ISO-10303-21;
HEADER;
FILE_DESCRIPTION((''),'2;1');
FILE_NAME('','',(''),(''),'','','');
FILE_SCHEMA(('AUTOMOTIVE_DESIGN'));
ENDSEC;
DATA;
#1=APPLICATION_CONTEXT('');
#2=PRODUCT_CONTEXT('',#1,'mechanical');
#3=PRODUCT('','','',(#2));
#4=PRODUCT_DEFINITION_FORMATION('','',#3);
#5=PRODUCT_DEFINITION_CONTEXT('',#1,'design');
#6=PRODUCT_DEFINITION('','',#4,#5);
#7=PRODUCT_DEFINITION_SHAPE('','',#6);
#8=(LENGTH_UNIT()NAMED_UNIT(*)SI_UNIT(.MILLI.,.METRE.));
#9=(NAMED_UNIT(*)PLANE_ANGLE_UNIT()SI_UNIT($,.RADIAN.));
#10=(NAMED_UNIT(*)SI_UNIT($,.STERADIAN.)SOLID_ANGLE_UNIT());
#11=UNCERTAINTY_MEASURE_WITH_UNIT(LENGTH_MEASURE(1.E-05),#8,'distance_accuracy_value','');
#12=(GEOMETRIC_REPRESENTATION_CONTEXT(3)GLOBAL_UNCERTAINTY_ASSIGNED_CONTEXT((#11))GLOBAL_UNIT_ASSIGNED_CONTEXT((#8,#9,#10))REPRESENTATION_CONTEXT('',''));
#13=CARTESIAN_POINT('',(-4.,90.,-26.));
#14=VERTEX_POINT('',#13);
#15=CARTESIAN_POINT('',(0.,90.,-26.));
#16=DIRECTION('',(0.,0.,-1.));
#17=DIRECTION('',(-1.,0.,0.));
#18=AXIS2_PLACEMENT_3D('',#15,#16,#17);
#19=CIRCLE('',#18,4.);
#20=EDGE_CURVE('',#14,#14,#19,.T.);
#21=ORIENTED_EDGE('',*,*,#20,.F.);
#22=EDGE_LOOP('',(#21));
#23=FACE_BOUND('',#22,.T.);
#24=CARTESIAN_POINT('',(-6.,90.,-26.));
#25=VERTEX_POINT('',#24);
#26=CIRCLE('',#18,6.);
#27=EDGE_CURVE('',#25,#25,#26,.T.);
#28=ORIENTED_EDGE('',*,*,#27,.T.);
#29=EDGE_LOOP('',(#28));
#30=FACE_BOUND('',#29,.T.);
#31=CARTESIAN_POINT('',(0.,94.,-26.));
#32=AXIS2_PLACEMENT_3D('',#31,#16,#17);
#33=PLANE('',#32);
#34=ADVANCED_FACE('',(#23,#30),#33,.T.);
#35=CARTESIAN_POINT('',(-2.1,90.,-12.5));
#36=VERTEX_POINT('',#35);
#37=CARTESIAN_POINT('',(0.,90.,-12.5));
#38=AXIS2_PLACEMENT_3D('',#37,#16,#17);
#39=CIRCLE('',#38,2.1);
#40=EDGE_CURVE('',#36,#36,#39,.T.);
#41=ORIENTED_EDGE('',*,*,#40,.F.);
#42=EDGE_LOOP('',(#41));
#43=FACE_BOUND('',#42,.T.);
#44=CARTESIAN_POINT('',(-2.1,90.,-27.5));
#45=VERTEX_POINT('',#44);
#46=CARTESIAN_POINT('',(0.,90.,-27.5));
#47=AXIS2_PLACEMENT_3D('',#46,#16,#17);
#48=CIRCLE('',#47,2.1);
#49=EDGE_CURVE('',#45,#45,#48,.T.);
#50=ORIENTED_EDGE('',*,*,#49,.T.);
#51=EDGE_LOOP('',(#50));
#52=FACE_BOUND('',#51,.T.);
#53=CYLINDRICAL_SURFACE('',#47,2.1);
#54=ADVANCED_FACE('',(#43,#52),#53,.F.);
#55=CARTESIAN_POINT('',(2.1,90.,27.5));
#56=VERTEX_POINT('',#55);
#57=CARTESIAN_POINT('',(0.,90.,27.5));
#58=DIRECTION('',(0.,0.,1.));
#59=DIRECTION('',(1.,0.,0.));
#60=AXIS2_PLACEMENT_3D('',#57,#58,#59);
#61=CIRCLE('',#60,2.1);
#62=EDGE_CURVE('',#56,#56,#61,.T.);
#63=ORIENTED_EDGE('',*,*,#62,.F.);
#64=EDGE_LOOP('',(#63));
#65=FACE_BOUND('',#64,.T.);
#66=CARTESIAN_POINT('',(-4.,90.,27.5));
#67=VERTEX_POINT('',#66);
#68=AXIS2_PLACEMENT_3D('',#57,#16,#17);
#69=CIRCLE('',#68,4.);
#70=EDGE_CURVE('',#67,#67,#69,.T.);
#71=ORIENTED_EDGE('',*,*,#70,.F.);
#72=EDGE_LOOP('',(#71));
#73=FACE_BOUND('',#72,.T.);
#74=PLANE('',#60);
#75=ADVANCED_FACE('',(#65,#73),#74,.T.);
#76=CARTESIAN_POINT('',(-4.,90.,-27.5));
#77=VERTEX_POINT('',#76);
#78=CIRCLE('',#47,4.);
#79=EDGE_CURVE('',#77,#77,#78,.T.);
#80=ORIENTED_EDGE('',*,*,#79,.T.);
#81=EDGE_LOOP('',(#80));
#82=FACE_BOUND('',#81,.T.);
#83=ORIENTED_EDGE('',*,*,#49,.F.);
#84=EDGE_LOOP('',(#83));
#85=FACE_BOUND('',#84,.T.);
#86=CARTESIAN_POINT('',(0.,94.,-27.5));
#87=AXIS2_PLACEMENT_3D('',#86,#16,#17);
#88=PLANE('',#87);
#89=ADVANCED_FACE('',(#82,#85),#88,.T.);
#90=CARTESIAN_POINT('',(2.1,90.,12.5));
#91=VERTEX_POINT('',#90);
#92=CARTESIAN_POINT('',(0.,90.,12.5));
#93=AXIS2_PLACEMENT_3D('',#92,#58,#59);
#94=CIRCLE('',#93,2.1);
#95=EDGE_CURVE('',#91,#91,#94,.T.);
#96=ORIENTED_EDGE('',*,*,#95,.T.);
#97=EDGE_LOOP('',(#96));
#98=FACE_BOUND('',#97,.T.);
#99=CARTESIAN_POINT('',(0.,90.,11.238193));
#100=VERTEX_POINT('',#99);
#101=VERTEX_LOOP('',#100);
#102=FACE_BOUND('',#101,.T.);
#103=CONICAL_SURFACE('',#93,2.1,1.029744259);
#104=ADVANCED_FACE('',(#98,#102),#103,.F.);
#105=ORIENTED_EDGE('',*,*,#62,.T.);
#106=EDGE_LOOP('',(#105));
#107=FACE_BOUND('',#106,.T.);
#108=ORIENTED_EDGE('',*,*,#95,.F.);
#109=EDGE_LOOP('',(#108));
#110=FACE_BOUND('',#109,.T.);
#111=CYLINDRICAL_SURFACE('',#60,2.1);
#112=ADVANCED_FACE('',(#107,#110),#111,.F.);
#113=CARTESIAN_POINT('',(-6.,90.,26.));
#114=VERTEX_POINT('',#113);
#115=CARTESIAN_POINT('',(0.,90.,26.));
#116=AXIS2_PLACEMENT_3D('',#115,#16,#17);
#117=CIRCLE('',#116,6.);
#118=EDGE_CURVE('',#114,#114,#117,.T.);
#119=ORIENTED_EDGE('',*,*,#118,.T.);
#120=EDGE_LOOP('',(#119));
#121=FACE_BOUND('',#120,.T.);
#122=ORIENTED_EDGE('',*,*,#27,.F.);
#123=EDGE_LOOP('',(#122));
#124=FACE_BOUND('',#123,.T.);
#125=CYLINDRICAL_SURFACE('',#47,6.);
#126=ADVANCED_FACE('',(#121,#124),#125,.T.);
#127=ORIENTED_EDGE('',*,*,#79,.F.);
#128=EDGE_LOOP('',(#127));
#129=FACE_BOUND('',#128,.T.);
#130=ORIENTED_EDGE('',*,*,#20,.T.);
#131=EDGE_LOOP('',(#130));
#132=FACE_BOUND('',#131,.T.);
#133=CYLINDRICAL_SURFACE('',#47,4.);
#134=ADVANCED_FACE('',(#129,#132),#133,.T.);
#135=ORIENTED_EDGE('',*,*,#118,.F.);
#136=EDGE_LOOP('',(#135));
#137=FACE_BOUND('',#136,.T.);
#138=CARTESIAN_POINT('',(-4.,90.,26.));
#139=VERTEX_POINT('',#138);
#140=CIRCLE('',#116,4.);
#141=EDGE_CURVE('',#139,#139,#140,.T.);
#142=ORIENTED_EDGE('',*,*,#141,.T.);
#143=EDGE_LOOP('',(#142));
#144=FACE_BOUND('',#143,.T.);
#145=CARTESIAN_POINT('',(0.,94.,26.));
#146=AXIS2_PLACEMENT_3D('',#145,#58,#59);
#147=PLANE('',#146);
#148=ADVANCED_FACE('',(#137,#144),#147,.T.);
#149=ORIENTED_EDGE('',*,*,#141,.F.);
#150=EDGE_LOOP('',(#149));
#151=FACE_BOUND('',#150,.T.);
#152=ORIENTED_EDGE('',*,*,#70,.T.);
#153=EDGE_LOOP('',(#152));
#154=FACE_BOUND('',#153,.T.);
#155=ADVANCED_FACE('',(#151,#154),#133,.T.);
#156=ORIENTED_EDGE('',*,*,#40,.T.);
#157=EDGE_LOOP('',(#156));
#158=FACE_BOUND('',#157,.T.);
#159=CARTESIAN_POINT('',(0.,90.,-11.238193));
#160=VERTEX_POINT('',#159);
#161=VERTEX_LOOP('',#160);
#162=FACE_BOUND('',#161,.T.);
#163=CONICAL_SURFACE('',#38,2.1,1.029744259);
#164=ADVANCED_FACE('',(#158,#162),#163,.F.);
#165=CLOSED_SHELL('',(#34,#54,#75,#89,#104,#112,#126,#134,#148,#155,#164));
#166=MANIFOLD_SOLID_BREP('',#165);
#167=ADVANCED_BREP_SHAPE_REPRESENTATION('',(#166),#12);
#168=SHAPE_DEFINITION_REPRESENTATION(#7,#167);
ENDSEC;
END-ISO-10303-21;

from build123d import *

# Parameters (mm, degrees)
M5X0_8_1_AT_2_COUNT = 2
M5X0_8_1_AT_2_PITCH = 90.280227073


with BuildPart() as part:
    # 草图2 → 旋转4 (revolve)
    with BuildSketch(Plane(origin=(0, 0, 0), x_dir=(0, 0, -1), z_dir=(1, 0, 0)), mode=Mode.PRIVATE) as revolve_4_sk:
        Polygon((27.5, 94), (26, 94), (26, 96), (-26, 96), (-26, 94), (-27.5, 94), (-27.5, 90), (27.5, 90), align=None)
    revolve(revolve_4_sk.sketch.rotate(Axis((0, 90, -27.5), (0, 0, 1)), 90), axis=Axis((0, 90, -27.5), (0, 0, 1)))

    # 草图5 → M5x0.8 螺纹孔的螺纹孔钻头1 (revolve, cut)
    with BuildSketch(Plane(origin=(0, 90, 27.5), x_dir=(0, -1, 0), z_dir=(1, 0, 0))):
        Polygon((0, 0), (0, 16.2618073), (2.1, 15), (2.1, 0), align=None)
    m5x0_8_1 = revolve(axis=Axis((0, 90, 33.85), (0, 0, -1)), mode=Mode.SUBTRACT)

    # M5x0.8 螺纹孔的螺纹孔钻头1 at 2: M5x0.8 螺纹孔的螺纹孔钻头1 ×2
    with Locations(*[Vector(-0.6431998246516509, -0.765698364611082, 0) * (i * M5X0_8_1_AT_2_PITCH) for i in range(1, M5X0_8_1_AT_2_COUNT)]):
        add(m5x0_8_1, mode=Mode.SUBTRACT)

    # 镜向1: M5x0.8 螺纹孔的螺纹孔钻头1 across plane
    add(m5x0_8_1.mirror(Plane.XY), mode=Mode.SUBTRACT)

    # 镜向1 copy 1 sketch → 镜向1 copy 1 (revolve, cut)
    with BuildSketch(Plane(origin=(-58.068226223, 20.872577773, -27.5), x_dir=(0, -1, 0), z_dir=(1, 0, 0))):
        Polygon((0, 0), (0, -16.2618073), (2.1, -15), (2.1, 0), align=None)
    revolve(axis=Axis((-58.068226223, 20.872577773, -33.85), (0, 0, -1)), mode=Mode.SUBTRACT)


solid = part.part
